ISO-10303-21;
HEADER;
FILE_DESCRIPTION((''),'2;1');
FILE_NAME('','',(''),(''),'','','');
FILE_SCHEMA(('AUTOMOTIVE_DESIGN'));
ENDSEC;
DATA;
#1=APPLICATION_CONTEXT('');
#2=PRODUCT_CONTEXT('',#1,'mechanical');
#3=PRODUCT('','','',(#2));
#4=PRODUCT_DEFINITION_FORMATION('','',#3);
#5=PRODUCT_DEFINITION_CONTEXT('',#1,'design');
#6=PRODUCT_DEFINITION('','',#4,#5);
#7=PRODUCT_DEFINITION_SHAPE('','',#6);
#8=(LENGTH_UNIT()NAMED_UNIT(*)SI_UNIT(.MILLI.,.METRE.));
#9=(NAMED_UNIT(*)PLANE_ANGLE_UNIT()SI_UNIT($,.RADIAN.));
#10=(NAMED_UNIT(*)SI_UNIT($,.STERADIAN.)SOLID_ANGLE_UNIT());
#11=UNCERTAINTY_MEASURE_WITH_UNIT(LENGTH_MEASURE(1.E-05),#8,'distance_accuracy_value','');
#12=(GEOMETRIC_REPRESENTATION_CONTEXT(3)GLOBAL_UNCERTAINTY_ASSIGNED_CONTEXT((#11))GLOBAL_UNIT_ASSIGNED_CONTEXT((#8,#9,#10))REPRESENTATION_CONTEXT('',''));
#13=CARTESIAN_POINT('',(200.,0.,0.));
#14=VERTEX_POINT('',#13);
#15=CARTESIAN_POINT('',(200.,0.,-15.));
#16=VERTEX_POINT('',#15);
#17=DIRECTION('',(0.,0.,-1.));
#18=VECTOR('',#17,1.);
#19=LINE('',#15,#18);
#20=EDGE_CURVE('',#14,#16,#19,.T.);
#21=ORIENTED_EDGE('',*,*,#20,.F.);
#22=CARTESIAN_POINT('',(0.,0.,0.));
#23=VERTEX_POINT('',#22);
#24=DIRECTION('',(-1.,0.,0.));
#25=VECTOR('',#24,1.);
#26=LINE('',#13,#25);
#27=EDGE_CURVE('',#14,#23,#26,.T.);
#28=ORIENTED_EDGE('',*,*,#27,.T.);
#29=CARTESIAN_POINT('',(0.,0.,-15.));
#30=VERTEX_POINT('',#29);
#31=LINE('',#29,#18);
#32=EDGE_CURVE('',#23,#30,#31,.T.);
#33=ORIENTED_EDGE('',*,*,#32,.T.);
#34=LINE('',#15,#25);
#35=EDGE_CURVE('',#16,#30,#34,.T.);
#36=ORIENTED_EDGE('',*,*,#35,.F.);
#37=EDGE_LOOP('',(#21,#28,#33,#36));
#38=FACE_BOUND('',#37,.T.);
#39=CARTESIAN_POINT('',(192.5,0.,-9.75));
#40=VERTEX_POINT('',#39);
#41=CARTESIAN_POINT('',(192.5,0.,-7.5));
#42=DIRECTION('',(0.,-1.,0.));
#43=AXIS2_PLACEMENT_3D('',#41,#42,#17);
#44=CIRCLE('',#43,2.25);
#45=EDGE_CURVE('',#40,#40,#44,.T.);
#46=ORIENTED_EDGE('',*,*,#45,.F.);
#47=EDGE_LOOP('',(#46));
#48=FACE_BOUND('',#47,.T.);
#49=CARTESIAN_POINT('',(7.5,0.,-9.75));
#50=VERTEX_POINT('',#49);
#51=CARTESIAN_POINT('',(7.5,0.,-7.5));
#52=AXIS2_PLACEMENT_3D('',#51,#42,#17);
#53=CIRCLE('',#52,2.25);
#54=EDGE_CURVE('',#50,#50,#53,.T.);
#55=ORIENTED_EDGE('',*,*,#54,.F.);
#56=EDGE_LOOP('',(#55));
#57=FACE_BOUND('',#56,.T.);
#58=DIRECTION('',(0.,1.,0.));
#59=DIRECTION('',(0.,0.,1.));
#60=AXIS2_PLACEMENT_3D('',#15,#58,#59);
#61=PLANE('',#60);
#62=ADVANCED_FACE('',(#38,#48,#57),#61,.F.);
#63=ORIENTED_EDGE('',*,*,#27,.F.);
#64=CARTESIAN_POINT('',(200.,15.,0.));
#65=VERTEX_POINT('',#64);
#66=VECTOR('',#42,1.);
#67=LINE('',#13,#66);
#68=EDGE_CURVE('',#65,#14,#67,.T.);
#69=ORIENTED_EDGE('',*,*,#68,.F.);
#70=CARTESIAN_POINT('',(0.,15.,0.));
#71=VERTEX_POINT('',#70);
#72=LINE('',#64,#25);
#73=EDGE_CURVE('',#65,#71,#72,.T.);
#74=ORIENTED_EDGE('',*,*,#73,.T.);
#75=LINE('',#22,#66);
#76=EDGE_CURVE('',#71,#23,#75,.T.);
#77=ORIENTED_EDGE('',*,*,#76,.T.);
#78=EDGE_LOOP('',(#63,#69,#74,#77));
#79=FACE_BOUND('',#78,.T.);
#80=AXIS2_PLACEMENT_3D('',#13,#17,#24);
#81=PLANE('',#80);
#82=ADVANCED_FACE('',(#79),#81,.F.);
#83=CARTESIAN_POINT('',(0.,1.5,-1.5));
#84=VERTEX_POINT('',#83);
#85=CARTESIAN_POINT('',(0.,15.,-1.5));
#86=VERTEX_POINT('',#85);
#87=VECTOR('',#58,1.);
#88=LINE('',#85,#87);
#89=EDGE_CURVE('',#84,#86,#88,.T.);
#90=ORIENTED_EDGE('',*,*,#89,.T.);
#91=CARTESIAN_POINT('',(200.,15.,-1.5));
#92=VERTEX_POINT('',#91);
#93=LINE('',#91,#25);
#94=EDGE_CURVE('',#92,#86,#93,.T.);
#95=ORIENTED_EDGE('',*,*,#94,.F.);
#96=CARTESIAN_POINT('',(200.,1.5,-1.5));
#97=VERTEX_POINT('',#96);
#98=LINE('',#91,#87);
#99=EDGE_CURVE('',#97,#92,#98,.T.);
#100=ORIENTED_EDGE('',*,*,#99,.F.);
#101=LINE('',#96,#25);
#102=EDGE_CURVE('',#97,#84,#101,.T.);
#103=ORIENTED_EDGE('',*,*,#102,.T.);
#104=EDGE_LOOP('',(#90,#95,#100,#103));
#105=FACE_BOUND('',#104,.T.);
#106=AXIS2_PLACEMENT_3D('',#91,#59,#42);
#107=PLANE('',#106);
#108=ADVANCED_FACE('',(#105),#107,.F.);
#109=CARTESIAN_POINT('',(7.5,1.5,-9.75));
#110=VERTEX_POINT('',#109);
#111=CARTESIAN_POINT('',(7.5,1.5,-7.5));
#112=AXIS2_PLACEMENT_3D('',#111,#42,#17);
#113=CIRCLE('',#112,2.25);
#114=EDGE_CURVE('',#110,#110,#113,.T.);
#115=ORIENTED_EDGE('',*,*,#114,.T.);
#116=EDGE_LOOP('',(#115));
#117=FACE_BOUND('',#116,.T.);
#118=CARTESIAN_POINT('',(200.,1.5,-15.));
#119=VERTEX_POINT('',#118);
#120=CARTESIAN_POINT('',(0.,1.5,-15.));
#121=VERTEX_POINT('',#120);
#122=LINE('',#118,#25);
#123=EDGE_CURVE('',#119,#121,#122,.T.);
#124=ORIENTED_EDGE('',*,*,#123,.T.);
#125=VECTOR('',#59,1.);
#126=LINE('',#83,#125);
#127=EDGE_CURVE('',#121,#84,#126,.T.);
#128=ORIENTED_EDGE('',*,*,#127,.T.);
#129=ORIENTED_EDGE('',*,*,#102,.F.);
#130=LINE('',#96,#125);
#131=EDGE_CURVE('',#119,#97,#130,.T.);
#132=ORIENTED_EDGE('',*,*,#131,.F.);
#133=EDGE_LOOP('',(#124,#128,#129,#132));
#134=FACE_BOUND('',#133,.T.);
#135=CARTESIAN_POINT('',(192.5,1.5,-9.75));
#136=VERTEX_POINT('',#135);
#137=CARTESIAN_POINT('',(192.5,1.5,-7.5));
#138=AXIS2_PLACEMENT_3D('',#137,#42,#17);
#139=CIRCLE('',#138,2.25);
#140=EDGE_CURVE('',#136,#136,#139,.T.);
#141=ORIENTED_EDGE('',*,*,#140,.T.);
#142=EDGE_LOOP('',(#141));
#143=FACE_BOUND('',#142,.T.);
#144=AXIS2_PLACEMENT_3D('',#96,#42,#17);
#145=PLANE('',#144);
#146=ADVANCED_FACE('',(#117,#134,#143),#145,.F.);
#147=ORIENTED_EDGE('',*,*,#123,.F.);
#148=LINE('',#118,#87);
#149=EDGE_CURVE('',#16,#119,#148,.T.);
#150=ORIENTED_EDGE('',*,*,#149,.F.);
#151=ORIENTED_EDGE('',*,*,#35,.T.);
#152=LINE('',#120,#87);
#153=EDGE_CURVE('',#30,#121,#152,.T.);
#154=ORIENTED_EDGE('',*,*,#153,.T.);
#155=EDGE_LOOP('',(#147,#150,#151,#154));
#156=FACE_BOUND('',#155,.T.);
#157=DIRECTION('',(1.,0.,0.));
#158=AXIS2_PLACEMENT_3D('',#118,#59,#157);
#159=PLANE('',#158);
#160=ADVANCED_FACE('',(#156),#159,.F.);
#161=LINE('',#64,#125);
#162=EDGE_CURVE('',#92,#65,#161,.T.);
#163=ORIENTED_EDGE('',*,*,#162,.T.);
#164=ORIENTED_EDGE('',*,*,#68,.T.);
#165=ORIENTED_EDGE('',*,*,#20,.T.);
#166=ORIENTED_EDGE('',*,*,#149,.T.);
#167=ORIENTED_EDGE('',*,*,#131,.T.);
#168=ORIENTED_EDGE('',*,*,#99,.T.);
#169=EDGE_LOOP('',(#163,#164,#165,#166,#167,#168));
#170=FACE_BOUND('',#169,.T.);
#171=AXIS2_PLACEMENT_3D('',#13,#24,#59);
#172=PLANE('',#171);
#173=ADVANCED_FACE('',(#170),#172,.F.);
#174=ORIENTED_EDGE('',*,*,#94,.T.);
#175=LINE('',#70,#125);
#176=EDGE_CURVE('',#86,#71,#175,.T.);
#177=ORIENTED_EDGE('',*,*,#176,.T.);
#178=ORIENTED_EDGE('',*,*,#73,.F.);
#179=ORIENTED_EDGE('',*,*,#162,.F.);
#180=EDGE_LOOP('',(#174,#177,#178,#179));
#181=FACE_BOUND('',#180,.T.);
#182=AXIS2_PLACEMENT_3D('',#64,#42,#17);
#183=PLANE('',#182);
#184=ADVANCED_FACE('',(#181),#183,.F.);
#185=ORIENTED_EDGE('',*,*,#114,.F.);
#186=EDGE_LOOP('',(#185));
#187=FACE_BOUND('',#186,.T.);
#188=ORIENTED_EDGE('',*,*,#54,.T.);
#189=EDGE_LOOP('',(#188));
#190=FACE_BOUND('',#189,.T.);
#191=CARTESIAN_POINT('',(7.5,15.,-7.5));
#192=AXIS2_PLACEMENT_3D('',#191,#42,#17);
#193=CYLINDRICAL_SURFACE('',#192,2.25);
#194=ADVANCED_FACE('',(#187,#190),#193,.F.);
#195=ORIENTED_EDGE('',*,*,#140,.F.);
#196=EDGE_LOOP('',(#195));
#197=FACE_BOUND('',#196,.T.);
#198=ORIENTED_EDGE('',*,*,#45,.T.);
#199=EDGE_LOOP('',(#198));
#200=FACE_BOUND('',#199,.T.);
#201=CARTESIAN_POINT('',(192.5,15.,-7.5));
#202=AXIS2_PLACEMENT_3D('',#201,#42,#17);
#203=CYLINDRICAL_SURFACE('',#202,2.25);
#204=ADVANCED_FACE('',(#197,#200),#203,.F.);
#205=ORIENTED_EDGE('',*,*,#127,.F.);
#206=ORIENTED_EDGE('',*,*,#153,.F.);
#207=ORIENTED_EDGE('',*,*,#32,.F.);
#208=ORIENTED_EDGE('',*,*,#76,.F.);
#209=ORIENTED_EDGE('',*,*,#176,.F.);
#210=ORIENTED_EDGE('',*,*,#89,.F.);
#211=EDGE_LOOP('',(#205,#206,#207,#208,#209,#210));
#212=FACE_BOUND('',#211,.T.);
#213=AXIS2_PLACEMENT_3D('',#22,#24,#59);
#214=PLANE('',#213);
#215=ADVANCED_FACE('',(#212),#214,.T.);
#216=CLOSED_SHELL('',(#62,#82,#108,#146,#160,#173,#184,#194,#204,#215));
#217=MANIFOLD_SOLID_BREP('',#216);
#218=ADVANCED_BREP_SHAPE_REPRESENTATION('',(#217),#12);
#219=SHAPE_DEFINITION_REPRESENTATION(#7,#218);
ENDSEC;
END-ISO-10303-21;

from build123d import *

# Parameters (mm, degrees)
EXTRUDE_1_DEPTH     = 200
SKETCH_2_R          = 2.25
CUT_EXTRUDE_1_DEPTH = 16


with BuildPart() as part:
    # Эскиз1 → Бобышка-Вытянуть1 (new body)
    with BuildSketch(Plane(origin=(0, 0, 0), x_dir=(0, 0, -1), z_dir=(1, 0, 0))):
        Polygon((0, 0), (0, 15), (1.5, 15), (1.5, 1.5), (15, 1.5), (15, 0), align=None)
    extrude(amount=EXTRUDE_1_DEPTH)

    # Эскиз2 → Вырез-Вытянуть1 (cut, through all)
    with BuildSketch(Plane.XZ):
        with Locations((7.5, -7.5)):
            Circle(SKETCH_2_R)
        with Locations((192.5, -7.5)):
            Circle(SKETCH_2_R)
    extrude(amount=-CUT_EXTRUDE_1_DEPTH, mode=Mode.SUBTRACT)


solid = part.part
